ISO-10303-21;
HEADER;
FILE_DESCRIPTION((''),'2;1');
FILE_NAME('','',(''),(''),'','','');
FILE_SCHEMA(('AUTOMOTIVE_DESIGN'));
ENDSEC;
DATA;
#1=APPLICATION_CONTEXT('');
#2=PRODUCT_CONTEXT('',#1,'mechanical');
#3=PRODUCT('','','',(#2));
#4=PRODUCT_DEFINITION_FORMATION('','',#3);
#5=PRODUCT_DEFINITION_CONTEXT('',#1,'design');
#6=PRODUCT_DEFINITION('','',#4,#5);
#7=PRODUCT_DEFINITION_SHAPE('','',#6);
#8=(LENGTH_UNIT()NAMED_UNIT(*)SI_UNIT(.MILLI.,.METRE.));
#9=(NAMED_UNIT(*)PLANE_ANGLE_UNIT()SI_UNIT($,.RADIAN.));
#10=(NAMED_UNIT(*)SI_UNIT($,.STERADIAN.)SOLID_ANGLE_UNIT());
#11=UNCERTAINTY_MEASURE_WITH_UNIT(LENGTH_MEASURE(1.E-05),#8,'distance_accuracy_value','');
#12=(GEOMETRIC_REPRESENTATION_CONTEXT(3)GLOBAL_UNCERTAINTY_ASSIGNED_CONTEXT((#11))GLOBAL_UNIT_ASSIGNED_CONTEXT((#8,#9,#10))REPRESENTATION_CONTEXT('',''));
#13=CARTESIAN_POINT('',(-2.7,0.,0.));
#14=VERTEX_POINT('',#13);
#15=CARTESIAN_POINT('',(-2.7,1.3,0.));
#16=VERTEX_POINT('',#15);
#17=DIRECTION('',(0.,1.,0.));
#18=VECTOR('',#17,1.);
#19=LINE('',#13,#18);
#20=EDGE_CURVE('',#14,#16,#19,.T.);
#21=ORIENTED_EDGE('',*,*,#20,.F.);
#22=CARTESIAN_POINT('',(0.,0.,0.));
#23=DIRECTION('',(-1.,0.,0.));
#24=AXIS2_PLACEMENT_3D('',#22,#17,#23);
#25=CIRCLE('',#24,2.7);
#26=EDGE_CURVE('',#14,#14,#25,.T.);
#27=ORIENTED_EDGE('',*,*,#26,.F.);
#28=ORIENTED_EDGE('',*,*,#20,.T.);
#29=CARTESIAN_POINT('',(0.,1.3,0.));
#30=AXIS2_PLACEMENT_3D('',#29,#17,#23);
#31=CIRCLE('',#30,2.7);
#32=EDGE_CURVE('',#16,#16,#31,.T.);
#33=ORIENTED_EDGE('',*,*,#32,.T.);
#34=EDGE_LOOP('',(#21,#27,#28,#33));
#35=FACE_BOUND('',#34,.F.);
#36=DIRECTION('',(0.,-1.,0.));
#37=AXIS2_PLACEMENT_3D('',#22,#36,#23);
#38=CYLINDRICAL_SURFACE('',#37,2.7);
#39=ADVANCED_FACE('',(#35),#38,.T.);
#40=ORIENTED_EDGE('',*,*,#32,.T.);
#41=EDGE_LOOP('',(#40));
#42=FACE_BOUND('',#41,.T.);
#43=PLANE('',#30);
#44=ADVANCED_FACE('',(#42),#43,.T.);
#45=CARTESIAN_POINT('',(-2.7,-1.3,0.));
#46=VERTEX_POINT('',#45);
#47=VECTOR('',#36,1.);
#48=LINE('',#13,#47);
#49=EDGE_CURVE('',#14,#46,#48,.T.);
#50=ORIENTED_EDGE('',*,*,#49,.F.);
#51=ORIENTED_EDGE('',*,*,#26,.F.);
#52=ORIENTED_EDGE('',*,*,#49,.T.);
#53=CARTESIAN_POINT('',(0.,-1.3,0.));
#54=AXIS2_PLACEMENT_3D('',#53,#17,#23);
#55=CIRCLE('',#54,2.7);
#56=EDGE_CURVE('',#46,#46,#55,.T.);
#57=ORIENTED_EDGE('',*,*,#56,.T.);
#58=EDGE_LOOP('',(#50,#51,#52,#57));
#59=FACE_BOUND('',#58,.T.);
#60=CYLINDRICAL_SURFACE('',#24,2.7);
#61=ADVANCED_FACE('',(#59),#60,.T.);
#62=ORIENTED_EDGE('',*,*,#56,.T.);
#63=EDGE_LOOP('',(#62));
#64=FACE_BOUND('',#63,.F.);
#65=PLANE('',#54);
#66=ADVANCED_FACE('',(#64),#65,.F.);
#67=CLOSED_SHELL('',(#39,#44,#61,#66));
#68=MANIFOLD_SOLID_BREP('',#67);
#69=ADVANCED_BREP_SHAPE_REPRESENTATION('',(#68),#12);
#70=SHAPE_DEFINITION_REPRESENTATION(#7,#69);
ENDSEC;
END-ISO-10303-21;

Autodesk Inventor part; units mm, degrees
ref_plane "YZ Plane" through (0, 0, 0) normal (1, 0, 0) x (0, 1, 0)
ref_plane "XZ Plane" through (0, 0, 0) normal (0, 1, 0) x (-1, 0, 0)
ref_plane "XY Plane" through (0, 0, 0) normal (0, 0, 1) x (1, 0, 0)
sketch "Sketch1" plane through (0, 0, 0) normal (0, 1, 0) x (-1, 0, 0)
  circle A0 centre (0, 0) radius 2.7
  dimension "d0" = 5.4
extrude "Extrusion1" add sketch "Sketch1" along normal mid plane 2.6
properties part number "2magnets+clearance"
